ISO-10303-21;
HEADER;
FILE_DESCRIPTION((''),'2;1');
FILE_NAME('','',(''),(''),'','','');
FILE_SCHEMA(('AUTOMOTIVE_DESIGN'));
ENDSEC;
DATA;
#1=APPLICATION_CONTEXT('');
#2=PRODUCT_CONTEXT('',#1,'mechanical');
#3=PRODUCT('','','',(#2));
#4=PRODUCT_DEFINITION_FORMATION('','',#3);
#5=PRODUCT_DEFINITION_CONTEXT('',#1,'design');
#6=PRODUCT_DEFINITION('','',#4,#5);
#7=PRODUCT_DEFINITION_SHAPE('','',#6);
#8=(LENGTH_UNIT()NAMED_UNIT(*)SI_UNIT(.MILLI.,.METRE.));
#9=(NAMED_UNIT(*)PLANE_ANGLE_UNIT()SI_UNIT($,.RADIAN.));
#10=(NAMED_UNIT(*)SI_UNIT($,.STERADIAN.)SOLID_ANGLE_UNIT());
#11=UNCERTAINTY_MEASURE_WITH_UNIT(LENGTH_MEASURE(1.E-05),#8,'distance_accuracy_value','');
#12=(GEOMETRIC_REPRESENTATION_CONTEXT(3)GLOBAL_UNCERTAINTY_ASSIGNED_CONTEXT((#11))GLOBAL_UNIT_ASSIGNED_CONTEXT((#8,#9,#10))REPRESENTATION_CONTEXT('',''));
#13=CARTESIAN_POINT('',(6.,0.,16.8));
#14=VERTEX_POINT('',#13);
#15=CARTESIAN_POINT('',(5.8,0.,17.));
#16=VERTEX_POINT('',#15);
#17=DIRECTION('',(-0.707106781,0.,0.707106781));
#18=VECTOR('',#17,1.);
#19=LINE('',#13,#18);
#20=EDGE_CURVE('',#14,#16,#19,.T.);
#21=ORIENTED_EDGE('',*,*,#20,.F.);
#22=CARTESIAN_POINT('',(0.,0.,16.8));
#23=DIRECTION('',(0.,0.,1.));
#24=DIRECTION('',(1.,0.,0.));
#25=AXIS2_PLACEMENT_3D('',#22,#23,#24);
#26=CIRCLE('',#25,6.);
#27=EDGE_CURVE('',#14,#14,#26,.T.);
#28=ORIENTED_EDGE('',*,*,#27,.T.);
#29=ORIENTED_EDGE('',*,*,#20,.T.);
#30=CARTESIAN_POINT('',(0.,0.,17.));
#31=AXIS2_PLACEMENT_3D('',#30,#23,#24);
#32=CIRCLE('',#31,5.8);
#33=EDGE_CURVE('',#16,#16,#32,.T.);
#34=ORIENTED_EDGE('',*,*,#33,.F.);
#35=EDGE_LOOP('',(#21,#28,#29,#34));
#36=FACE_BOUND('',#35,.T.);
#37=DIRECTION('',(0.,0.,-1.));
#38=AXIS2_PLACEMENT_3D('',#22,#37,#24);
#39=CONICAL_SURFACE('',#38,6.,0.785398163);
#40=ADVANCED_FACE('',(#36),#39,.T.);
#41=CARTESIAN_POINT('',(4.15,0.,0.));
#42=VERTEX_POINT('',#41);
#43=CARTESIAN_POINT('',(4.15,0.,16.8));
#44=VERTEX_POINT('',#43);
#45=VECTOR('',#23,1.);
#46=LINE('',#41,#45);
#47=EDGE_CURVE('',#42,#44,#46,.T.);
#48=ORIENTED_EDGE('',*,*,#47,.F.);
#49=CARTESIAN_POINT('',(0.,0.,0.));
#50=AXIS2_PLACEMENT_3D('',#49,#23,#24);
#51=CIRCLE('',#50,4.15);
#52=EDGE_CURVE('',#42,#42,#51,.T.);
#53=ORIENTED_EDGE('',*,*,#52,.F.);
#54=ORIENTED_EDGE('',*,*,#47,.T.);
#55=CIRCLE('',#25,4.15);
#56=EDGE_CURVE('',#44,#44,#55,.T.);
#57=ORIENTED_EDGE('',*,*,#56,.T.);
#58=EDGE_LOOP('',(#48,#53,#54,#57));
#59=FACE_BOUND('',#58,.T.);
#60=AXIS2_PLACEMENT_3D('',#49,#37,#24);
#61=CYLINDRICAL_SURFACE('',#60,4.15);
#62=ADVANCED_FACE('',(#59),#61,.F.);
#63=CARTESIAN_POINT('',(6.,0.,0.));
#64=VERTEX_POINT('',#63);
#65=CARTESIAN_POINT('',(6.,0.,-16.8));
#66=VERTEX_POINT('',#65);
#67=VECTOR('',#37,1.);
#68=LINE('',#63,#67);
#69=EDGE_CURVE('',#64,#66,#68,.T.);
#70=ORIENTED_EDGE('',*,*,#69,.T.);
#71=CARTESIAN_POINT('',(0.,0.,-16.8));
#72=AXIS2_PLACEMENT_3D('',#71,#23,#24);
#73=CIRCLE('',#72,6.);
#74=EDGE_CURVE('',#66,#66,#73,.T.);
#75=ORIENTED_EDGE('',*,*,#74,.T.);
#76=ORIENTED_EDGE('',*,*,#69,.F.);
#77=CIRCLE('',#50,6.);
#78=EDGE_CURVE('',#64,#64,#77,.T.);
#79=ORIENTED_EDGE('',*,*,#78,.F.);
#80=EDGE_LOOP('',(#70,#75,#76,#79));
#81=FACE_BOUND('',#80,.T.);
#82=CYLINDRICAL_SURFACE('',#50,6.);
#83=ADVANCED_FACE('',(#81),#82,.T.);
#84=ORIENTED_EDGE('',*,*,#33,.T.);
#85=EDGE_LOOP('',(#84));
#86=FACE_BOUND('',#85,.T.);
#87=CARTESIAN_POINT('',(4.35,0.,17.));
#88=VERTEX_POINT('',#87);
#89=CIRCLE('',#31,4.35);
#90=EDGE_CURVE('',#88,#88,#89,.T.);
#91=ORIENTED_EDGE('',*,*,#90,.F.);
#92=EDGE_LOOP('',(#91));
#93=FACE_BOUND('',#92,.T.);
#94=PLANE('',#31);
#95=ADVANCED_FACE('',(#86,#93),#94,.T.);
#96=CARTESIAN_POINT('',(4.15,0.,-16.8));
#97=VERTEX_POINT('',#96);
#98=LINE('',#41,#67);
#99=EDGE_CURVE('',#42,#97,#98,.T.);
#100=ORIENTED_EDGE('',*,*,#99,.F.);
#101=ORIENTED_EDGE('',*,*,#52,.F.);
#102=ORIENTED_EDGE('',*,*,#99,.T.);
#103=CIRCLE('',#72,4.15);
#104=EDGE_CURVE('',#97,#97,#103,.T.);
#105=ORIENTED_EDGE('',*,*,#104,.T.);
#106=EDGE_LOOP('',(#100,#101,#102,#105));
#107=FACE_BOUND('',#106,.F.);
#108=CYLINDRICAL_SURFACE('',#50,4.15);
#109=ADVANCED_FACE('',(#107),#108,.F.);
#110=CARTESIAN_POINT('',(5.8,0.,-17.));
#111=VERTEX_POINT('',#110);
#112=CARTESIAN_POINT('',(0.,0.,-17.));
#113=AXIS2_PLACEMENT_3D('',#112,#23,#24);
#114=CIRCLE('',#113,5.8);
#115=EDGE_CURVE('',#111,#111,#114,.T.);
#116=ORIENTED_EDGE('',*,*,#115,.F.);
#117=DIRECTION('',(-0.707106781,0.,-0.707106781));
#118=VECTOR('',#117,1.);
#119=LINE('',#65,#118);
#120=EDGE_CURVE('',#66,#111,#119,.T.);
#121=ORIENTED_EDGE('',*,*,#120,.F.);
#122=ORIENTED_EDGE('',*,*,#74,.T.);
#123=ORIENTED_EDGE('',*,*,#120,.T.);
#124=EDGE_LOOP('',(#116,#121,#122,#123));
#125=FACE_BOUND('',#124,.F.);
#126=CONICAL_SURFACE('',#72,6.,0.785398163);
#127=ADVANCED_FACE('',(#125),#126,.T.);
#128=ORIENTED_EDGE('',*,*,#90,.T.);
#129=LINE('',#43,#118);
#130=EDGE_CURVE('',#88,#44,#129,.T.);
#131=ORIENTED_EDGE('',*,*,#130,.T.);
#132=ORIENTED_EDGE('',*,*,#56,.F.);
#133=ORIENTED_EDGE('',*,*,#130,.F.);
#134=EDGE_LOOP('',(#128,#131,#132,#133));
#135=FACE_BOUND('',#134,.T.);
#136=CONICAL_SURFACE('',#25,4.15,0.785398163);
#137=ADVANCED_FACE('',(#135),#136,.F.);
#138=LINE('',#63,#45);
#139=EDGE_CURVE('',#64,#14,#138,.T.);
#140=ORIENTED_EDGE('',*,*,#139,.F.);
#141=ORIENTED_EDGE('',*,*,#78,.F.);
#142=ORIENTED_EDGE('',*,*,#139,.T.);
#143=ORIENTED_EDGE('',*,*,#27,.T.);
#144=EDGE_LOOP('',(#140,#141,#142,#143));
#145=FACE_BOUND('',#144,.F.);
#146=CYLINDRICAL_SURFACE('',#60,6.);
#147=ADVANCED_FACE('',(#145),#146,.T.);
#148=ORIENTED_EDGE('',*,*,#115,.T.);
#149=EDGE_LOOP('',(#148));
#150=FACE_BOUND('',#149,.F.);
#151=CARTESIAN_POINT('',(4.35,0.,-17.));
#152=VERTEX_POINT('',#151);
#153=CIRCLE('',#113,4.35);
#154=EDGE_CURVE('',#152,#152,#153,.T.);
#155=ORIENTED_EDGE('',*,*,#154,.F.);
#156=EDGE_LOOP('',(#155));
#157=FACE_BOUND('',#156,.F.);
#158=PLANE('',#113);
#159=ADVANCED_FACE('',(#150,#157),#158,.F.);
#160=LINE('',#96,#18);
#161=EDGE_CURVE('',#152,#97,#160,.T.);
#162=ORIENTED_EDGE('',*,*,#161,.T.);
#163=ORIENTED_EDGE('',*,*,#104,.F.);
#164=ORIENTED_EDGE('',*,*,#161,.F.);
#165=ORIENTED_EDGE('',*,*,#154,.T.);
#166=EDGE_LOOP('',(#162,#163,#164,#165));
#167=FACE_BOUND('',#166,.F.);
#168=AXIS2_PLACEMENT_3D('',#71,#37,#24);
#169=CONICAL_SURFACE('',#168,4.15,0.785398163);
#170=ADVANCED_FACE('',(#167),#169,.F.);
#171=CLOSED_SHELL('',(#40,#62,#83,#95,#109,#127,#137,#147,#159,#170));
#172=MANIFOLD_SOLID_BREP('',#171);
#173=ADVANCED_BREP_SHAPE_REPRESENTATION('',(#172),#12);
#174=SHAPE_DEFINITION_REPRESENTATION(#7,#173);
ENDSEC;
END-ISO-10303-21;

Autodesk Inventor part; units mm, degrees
ref_plane "YZ Plane" through (0, 0, 0) normal (1, 0, 0) x (0, 1, 0)
ref_plane "XZ Plane" through (0, 0, 0) normal (0, 1, 0) x (-1, 0, 0)
ref_plane "XY Plane" through (0, 0, 0) normal (0, 0, 1) x (1, 0, 0)
sketch "スケッチ1" plane through (0, 0, 0) normal (0, 0, 1) x (1, 0, 0)
  circle A0 centre (0, 0) radius 4.15
  circle A1 centre (0, 0) radius 6
  dimension "d0" = 8.3
  dimension "d1" = 12
extrude "押し出し1" add sketch "スケッチ1" along normal mid plane 34
chamfer "面取り1" distance 0.2 angle 45 4 edges at (-6, 0, 17) (-4.15, 0, 17) (-6, 0, -17) (-4.15, 0, -17)
properties part number "spacer2" material "ABS プラスチック"
